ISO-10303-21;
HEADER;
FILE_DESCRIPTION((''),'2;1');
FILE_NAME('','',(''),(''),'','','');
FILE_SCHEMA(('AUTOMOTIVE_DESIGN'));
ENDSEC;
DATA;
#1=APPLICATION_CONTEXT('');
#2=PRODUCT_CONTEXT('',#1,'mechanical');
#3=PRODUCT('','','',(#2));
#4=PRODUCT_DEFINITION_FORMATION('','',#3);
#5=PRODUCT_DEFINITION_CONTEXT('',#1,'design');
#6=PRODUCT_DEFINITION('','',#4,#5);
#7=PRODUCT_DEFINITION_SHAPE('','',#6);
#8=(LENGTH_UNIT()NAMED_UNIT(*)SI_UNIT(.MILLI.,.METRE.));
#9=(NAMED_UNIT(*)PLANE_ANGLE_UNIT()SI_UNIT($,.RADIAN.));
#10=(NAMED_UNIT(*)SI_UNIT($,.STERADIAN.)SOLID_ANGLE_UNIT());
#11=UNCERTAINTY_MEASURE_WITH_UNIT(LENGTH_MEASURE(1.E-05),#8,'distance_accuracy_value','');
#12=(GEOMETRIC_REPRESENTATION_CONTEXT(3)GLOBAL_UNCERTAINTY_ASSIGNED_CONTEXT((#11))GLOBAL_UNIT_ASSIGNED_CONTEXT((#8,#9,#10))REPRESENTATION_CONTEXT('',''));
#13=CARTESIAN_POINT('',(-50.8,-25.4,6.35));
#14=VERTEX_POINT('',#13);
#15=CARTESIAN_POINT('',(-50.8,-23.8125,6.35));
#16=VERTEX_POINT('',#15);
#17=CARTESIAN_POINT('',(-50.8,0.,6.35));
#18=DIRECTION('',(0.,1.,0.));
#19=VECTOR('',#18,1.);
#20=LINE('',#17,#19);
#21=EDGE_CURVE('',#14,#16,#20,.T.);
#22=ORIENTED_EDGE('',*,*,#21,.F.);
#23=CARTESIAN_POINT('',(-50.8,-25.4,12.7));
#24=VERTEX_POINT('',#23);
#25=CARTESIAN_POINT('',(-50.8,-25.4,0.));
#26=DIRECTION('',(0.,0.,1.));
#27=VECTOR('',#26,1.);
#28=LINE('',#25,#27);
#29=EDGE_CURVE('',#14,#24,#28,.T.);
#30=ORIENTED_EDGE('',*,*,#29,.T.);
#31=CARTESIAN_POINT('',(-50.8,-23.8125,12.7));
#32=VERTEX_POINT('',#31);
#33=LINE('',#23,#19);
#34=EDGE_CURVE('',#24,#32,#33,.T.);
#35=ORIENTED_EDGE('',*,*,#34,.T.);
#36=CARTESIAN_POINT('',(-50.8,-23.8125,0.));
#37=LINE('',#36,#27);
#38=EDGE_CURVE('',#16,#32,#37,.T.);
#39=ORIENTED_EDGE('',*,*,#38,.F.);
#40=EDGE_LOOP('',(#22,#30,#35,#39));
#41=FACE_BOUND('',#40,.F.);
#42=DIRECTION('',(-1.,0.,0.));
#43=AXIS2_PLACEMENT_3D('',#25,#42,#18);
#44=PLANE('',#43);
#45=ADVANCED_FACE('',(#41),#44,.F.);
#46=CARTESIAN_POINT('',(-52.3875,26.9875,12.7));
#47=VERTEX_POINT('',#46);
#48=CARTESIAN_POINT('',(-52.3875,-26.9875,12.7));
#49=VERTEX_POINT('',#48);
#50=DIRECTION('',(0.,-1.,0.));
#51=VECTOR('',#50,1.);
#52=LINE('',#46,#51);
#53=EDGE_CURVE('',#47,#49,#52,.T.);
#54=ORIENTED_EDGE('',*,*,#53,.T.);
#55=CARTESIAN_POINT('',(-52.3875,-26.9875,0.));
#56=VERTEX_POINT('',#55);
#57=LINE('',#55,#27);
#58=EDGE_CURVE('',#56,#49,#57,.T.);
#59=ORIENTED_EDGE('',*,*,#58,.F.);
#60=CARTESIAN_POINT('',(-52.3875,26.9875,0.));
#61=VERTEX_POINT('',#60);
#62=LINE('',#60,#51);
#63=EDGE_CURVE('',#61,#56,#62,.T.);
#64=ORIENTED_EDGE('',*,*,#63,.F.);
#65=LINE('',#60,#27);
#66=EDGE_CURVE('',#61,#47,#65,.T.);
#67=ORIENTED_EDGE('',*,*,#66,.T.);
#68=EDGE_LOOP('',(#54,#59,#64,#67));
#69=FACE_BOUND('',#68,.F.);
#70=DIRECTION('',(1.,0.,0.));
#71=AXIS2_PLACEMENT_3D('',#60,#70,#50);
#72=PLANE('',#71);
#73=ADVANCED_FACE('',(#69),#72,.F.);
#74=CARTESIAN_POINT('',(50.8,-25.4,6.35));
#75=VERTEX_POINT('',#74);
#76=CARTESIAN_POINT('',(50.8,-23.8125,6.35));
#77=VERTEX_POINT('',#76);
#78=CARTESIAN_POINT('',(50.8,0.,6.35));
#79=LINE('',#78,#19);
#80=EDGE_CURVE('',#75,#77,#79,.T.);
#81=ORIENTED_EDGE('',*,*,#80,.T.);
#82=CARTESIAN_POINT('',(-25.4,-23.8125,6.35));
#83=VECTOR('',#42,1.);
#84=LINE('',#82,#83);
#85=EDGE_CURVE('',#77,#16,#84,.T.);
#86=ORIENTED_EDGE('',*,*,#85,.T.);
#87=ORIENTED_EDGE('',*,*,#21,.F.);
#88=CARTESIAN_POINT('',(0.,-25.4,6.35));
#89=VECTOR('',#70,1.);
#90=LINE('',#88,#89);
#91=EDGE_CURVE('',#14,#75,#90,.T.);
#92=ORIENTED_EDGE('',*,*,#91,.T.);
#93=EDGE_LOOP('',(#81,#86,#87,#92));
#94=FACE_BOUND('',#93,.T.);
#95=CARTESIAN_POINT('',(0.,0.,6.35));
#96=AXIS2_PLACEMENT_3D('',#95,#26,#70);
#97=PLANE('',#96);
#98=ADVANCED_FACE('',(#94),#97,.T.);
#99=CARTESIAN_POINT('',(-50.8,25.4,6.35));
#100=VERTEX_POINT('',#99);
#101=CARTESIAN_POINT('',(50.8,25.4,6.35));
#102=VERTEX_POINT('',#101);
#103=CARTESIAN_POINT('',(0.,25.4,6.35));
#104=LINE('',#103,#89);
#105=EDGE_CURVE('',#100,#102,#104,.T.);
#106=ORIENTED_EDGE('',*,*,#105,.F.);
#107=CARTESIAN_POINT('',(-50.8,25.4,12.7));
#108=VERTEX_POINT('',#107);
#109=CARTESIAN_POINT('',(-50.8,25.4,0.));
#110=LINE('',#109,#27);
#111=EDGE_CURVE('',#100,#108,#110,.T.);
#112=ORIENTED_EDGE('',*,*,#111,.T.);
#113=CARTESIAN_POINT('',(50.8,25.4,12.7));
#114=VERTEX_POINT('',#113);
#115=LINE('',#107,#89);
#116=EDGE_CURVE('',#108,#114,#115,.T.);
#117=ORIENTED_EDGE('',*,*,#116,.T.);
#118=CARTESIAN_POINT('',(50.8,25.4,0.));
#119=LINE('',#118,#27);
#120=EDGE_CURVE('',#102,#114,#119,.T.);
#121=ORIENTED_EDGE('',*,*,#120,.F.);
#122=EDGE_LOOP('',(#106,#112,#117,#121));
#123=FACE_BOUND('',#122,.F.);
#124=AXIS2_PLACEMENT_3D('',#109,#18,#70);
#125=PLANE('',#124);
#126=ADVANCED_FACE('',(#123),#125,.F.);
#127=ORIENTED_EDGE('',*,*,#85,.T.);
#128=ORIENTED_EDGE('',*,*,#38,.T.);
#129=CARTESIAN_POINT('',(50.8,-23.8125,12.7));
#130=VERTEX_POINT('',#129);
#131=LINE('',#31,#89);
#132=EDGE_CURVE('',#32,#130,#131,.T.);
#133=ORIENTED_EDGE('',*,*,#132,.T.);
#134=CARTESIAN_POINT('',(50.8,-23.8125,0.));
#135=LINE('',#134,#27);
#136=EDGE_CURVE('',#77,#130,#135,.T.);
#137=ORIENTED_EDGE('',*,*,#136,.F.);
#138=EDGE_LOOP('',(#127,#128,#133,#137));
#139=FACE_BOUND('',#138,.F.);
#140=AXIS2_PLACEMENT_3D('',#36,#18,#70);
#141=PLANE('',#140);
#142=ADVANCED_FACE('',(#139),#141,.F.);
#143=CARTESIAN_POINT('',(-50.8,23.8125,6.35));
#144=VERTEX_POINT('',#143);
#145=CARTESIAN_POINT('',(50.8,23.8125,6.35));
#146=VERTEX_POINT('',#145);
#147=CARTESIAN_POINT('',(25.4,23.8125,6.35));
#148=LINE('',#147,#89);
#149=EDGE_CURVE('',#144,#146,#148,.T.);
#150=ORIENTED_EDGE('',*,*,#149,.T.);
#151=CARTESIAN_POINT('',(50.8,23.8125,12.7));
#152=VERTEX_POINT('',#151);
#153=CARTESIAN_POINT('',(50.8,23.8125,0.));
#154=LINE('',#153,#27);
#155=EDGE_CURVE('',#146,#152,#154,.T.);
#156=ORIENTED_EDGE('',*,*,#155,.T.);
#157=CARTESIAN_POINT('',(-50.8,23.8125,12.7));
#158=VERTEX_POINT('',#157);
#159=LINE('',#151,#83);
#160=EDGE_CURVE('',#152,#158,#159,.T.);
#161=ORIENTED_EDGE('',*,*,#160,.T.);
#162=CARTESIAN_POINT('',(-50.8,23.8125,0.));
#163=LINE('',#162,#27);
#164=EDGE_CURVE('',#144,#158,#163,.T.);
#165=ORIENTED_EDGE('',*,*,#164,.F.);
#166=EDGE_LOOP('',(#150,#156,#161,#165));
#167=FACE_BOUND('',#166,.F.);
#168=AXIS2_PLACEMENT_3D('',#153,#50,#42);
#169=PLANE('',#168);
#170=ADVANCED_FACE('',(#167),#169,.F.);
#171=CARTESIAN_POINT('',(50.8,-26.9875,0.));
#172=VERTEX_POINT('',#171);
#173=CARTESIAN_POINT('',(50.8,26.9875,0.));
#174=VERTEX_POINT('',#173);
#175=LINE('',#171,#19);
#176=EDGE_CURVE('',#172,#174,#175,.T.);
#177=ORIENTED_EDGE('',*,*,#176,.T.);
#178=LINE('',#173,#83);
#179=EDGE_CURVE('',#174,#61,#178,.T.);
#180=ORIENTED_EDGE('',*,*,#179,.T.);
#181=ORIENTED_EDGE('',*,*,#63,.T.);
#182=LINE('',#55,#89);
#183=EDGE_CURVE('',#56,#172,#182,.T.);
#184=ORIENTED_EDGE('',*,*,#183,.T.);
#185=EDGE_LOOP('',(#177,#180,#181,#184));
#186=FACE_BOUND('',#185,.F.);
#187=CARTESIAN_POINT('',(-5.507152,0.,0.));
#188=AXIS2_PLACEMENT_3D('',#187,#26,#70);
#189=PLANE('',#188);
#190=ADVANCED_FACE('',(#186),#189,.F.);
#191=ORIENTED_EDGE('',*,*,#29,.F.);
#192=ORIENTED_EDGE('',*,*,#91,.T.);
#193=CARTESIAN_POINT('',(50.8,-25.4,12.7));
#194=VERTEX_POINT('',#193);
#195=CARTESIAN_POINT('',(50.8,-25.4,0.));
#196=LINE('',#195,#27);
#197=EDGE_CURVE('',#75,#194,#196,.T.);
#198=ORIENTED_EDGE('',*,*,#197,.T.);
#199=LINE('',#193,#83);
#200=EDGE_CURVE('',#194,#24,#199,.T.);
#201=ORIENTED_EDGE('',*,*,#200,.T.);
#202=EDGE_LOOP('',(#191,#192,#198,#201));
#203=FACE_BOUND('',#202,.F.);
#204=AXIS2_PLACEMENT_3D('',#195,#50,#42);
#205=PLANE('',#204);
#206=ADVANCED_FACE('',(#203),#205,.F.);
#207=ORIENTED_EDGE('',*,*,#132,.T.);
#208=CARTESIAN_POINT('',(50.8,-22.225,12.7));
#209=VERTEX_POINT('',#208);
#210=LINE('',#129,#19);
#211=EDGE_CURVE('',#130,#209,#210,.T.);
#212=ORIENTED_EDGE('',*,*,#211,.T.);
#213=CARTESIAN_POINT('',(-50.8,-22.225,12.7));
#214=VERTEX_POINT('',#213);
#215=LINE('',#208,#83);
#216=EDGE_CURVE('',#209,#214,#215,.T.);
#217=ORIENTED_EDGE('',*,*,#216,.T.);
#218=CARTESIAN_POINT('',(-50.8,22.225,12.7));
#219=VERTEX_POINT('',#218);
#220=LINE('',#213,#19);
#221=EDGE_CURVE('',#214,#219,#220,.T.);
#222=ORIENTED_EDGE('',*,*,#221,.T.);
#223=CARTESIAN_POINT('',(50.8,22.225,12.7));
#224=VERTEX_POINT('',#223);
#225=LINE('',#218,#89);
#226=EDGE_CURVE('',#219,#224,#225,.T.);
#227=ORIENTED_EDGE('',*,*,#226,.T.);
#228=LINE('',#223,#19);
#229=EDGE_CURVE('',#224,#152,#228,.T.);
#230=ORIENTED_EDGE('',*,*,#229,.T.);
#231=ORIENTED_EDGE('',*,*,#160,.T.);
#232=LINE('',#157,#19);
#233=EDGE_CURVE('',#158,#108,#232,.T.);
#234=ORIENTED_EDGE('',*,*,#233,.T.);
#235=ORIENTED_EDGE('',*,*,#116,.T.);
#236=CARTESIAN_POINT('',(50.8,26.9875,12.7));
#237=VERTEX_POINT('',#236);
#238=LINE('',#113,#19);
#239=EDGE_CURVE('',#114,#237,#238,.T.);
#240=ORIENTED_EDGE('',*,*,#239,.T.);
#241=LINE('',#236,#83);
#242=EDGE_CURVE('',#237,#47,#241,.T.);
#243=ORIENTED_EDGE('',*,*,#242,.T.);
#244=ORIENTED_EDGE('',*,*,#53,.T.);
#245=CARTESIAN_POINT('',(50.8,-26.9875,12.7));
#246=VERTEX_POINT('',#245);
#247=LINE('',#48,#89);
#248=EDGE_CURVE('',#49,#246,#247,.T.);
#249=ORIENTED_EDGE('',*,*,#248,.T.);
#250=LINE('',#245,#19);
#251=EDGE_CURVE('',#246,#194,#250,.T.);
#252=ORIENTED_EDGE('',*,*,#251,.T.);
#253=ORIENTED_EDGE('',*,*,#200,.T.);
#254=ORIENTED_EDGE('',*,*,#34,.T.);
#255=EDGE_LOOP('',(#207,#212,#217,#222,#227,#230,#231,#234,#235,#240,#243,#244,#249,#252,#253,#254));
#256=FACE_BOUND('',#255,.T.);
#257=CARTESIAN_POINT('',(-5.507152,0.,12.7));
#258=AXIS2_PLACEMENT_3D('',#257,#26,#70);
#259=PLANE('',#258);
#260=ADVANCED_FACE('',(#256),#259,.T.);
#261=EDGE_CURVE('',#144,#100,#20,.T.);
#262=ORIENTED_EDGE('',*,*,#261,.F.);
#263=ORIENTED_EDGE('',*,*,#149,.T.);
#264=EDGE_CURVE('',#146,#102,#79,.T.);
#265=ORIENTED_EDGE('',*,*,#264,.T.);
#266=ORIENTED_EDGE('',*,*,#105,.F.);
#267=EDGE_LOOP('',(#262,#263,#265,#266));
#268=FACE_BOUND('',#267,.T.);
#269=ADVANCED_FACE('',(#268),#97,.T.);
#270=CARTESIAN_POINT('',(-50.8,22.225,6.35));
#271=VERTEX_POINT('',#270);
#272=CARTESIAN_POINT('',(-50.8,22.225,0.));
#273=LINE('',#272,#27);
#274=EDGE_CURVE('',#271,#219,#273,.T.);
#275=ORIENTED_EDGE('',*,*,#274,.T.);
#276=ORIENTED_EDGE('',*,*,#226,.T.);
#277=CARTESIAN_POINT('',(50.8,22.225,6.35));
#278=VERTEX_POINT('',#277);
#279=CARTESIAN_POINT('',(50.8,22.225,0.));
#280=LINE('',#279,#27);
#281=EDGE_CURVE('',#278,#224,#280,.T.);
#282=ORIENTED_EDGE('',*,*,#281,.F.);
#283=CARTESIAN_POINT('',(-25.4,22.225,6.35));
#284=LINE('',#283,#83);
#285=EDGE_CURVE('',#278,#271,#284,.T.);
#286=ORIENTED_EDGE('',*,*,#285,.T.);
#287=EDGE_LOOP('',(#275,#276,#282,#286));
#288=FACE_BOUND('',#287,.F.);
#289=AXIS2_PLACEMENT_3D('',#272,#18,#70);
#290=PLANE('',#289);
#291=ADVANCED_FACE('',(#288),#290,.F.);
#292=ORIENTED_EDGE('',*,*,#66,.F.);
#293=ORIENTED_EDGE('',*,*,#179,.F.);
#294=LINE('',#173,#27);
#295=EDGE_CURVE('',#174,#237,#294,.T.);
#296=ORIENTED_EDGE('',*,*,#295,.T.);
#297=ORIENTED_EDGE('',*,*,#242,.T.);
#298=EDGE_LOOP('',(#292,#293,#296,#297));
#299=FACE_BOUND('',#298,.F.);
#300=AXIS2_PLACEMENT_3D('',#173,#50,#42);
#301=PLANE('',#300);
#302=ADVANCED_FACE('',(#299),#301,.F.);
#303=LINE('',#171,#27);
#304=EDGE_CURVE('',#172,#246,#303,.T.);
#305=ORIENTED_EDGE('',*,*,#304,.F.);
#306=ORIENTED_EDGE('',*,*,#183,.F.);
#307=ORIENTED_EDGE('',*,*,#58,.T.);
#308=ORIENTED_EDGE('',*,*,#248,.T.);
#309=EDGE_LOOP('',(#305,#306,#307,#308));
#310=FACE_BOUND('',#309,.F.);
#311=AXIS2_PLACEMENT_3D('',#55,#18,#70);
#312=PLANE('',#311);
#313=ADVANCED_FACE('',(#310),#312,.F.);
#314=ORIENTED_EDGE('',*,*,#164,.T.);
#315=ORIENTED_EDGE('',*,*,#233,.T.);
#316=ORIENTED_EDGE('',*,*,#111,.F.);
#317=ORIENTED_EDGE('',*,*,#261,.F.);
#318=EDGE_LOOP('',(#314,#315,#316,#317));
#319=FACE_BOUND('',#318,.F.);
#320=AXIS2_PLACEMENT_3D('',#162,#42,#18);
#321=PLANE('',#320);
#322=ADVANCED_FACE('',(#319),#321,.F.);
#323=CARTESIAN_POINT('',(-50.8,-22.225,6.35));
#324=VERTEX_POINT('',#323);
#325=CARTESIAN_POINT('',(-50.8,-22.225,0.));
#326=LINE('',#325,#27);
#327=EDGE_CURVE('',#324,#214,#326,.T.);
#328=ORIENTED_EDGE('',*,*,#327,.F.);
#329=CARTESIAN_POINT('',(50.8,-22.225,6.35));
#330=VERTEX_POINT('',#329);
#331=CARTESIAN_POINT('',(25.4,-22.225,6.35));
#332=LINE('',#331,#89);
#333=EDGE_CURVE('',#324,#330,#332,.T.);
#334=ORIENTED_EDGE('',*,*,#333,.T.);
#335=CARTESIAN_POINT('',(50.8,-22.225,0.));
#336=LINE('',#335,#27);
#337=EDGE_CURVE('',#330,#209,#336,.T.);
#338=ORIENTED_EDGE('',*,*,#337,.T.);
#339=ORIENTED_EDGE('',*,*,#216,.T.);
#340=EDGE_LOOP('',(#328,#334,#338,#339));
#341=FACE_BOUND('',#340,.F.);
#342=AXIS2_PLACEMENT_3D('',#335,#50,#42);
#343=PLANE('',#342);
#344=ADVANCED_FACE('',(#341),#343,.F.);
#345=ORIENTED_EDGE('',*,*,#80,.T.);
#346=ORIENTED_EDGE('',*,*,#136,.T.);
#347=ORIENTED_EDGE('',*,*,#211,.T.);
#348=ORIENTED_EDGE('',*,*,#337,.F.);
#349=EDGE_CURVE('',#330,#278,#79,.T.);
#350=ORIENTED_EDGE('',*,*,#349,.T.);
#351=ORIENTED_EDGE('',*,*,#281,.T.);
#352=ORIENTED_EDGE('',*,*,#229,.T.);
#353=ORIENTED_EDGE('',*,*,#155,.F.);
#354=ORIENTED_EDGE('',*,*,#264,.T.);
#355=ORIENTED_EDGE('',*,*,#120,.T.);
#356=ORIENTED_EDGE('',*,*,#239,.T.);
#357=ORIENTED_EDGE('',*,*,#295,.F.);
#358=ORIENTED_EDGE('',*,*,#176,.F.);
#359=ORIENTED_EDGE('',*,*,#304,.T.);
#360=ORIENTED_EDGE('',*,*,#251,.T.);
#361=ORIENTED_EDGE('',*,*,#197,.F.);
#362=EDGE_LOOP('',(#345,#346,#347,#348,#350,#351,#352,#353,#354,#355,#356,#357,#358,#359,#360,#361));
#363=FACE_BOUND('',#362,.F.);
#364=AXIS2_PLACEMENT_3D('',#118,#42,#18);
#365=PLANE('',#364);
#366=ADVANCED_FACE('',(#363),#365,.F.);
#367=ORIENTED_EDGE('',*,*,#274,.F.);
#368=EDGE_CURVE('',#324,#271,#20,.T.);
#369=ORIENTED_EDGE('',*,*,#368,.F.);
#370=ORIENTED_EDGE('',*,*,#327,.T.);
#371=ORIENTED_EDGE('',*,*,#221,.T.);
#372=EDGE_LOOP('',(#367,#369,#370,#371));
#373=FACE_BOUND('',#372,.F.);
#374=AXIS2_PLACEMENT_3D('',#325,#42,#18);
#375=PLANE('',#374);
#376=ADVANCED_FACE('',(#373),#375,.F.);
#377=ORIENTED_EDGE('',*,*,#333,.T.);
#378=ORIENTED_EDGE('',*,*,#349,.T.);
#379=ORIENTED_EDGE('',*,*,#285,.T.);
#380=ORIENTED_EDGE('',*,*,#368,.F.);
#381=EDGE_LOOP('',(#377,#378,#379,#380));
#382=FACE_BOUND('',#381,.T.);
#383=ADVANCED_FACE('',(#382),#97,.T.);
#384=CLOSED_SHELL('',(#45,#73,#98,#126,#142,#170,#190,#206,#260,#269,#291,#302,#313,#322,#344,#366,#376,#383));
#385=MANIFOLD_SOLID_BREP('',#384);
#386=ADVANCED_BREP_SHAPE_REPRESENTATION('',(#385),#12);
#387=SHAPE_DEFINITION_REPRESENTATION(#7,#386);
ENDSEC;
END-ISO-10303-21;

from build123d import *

# Parameters (mm, degrees)
F0_W     = 101.6
F0_H     = 50.8
F1_DEPTH = 6.35
F3_DEPTH = 12.7


with BuildPart() as f1:
    # F0 (on Top) → F1 (new body)
    with BuildSketch(Plane.XY):
        Rectangle(F0_W, F0_H)
    extrude(amount=F1_DEPTH)

    # F2 (on Top) → F3 (join)
    with BuildSketch(Plane.XY):
        Polygon((50.8, 25.4), (50.8, 26.9875), (-52.3875, 26.9875), (-52.3875, -26.9875), (50.8, -26.9875), (50.8, -25.4), (-50.8, -25.4), (-50.8, -23.8125), (50.8, -23.8125), (50.8, -22.225), (-50.8, -22.225), (-50.8, 22.225), (50.8, 22.225), (50.8, 23.8125), (-50.8, 23.8125), (-50.8, 25.4), align=None)
    extrude(amount=F3_DEPTH)


solid = f1.part
